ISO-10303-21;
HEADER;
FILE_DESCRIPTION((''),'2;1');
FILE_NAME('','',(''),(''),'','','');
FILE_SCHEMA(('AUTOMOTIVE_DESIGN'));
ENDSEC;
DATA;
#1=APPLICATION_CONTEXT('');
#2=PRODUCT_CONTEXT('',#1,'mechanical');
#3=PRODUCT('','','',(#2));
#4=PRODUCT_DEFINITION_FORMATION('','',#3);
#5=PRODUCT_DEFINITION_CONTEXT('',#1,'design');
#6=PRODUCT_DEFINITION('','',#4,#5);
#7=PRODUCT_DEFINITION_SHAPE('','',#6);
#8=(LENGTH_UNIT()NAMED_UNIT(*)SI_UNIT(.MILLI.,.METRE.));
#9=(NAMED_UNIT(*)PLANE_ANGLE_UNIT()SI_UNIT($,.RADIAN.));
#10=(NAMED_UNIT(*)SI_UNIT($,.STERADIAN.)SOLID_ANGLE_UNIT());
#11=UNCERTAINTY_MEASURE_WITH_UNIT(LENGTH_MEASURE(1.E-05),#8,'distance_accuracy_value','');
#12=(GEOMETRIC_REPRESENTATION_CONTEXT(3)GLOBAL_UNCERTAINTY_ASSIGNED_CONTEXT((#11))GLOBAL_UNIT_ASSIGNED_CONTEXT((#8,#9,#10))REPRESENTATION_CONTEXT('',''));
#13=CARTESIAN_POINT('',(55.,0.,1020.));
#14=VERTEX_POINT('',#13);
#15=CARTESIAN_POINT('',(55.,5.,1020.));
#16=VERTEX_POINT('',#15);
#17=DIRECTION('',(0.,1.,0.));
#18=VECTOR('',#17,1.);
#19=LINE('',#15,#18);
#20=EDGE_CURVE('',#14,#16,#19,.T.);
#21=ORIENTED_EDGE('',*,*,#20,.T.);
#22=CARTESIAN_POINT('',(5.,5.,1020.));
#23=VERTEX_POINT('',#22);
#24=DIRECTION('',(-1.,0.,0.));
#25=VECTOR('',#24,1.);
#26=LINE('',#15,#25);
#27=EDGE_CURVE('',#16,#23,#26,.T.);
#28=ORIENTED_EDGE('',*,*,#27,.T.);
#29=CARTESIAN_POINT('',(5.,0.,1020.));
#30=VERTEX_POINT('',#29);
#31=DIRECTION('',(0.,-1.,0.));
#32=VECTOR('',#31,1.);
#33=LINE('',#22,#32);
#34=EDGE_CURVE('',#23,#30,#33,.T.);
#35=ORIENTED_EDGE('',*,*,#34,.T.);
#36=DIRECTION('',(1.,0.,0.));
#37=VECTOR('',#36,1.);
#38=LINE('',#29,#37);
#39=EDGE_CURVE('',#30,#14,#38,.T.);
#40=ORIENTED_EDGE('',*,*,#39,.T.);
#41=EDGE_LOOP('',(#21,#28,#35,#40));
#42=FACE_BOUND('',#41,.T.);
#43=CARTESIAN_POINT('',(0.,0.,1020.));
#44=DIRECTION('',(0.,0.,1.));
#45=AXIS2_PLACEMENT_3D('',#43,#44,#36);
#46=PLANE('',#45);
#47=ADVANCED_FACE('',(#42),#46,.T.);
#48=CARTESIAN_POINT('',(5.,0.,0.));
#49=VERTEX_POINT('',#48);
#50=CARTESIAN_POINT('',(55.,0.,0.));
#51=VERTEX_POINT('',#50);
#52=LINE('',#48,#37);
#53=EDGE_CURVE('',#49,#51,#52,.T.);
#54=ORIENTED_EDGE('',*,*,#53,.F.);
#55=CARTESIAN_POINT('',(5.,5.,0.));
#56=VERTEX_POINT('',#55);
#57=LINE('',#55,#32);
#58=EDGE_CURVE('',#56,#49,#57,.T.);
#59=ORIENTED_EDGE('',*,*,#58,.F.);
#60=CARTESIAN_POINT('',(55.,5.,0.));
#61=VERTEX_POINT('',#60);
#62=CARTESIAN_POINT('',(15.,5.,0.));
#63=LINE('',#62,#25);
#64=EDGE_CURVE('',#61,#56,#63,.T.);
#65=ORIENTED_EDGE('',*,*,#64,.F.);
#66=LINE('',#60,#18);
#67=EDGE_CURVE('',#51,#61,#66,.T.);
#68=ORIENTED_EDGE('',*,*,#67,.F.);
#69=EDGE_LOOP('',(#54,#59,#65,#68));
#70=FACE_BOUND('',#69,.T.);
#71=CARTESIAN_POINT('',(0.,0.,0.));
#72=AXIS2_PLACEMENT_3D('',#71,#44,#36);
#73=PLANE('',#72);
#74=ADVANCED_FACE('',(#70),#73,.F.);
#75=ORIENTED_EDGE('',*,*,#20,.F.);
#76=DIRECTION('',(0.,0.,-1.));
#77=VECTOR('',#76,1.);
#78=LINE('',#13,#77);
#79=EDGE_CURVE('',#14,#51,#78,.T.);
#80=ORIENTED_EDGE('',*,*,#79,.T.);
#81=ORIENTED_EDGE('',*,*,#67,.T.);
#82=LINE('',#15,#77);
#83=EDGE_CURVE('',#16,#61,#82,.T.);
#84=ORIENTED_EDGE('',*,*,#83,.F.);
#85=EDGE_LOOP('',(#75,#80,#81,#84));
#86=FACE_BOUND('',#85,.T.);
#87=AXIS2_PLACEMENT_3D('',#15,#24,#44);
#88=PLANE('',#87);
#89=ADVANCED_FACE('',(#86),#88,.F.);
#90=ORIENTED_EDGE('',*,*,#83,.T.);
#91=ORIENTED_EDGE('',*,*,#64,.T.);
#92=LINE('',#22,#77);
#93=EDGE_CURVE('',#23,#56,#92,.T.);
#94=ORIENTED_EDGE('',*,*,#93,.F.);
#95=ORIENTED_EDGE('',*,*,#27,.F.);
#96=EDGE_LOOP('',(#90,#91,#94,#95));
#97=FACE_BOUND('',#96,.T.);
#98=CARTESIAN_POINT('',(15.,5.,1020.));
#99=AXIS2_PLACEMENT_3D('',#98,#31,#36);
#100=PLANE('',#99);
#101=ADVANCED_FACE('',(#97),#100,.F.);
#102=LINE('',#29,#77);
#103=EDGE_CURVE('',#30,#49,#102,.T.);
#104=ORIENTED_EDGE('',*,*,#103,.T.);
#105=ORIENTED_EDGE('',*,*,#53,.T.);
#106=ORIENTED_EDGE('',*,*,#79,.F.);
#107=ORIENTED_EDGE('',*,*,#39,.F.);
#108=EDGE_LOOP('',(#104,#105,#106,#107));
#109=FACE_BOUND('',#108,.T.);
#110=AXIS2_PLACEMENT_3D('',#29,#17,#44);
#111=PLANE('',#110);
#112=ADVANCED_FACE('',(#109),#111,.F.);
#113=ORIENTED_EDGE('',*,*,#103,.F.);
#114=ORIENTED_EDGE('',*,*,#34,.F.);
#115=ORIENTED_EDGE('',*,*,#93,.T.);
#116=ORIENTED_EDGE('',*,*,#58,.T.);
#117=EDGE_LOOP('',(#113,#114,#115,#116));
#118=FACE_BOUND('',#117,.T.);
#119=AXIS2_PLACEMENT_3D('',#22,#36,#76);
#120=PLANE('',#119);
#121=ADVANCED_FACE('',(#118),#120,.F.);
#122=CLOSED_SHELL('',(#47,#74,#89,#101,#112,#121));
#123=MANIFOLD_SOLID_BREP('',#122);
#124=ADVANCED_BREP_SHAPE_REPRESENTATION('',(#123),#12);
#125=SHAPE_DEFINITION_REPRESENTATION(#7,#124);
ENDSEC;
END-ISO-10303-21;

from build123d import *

# Parameters (mm, degrees)
BOSS_EXTRUDE1_DEPTH = 1020


with BuildPart() as part:
    # Sketch1 → Boss-Extrude1 (new body)
    with BuildSketch(Plane.XY):
        Polygon((5, 0), (55, 0), (55, 5), (25, 5), (15, 5), (5, 5), align=None)
    extrude(amount=BOSS_EXTRUDE1_DEPTH)


solid = part.part
